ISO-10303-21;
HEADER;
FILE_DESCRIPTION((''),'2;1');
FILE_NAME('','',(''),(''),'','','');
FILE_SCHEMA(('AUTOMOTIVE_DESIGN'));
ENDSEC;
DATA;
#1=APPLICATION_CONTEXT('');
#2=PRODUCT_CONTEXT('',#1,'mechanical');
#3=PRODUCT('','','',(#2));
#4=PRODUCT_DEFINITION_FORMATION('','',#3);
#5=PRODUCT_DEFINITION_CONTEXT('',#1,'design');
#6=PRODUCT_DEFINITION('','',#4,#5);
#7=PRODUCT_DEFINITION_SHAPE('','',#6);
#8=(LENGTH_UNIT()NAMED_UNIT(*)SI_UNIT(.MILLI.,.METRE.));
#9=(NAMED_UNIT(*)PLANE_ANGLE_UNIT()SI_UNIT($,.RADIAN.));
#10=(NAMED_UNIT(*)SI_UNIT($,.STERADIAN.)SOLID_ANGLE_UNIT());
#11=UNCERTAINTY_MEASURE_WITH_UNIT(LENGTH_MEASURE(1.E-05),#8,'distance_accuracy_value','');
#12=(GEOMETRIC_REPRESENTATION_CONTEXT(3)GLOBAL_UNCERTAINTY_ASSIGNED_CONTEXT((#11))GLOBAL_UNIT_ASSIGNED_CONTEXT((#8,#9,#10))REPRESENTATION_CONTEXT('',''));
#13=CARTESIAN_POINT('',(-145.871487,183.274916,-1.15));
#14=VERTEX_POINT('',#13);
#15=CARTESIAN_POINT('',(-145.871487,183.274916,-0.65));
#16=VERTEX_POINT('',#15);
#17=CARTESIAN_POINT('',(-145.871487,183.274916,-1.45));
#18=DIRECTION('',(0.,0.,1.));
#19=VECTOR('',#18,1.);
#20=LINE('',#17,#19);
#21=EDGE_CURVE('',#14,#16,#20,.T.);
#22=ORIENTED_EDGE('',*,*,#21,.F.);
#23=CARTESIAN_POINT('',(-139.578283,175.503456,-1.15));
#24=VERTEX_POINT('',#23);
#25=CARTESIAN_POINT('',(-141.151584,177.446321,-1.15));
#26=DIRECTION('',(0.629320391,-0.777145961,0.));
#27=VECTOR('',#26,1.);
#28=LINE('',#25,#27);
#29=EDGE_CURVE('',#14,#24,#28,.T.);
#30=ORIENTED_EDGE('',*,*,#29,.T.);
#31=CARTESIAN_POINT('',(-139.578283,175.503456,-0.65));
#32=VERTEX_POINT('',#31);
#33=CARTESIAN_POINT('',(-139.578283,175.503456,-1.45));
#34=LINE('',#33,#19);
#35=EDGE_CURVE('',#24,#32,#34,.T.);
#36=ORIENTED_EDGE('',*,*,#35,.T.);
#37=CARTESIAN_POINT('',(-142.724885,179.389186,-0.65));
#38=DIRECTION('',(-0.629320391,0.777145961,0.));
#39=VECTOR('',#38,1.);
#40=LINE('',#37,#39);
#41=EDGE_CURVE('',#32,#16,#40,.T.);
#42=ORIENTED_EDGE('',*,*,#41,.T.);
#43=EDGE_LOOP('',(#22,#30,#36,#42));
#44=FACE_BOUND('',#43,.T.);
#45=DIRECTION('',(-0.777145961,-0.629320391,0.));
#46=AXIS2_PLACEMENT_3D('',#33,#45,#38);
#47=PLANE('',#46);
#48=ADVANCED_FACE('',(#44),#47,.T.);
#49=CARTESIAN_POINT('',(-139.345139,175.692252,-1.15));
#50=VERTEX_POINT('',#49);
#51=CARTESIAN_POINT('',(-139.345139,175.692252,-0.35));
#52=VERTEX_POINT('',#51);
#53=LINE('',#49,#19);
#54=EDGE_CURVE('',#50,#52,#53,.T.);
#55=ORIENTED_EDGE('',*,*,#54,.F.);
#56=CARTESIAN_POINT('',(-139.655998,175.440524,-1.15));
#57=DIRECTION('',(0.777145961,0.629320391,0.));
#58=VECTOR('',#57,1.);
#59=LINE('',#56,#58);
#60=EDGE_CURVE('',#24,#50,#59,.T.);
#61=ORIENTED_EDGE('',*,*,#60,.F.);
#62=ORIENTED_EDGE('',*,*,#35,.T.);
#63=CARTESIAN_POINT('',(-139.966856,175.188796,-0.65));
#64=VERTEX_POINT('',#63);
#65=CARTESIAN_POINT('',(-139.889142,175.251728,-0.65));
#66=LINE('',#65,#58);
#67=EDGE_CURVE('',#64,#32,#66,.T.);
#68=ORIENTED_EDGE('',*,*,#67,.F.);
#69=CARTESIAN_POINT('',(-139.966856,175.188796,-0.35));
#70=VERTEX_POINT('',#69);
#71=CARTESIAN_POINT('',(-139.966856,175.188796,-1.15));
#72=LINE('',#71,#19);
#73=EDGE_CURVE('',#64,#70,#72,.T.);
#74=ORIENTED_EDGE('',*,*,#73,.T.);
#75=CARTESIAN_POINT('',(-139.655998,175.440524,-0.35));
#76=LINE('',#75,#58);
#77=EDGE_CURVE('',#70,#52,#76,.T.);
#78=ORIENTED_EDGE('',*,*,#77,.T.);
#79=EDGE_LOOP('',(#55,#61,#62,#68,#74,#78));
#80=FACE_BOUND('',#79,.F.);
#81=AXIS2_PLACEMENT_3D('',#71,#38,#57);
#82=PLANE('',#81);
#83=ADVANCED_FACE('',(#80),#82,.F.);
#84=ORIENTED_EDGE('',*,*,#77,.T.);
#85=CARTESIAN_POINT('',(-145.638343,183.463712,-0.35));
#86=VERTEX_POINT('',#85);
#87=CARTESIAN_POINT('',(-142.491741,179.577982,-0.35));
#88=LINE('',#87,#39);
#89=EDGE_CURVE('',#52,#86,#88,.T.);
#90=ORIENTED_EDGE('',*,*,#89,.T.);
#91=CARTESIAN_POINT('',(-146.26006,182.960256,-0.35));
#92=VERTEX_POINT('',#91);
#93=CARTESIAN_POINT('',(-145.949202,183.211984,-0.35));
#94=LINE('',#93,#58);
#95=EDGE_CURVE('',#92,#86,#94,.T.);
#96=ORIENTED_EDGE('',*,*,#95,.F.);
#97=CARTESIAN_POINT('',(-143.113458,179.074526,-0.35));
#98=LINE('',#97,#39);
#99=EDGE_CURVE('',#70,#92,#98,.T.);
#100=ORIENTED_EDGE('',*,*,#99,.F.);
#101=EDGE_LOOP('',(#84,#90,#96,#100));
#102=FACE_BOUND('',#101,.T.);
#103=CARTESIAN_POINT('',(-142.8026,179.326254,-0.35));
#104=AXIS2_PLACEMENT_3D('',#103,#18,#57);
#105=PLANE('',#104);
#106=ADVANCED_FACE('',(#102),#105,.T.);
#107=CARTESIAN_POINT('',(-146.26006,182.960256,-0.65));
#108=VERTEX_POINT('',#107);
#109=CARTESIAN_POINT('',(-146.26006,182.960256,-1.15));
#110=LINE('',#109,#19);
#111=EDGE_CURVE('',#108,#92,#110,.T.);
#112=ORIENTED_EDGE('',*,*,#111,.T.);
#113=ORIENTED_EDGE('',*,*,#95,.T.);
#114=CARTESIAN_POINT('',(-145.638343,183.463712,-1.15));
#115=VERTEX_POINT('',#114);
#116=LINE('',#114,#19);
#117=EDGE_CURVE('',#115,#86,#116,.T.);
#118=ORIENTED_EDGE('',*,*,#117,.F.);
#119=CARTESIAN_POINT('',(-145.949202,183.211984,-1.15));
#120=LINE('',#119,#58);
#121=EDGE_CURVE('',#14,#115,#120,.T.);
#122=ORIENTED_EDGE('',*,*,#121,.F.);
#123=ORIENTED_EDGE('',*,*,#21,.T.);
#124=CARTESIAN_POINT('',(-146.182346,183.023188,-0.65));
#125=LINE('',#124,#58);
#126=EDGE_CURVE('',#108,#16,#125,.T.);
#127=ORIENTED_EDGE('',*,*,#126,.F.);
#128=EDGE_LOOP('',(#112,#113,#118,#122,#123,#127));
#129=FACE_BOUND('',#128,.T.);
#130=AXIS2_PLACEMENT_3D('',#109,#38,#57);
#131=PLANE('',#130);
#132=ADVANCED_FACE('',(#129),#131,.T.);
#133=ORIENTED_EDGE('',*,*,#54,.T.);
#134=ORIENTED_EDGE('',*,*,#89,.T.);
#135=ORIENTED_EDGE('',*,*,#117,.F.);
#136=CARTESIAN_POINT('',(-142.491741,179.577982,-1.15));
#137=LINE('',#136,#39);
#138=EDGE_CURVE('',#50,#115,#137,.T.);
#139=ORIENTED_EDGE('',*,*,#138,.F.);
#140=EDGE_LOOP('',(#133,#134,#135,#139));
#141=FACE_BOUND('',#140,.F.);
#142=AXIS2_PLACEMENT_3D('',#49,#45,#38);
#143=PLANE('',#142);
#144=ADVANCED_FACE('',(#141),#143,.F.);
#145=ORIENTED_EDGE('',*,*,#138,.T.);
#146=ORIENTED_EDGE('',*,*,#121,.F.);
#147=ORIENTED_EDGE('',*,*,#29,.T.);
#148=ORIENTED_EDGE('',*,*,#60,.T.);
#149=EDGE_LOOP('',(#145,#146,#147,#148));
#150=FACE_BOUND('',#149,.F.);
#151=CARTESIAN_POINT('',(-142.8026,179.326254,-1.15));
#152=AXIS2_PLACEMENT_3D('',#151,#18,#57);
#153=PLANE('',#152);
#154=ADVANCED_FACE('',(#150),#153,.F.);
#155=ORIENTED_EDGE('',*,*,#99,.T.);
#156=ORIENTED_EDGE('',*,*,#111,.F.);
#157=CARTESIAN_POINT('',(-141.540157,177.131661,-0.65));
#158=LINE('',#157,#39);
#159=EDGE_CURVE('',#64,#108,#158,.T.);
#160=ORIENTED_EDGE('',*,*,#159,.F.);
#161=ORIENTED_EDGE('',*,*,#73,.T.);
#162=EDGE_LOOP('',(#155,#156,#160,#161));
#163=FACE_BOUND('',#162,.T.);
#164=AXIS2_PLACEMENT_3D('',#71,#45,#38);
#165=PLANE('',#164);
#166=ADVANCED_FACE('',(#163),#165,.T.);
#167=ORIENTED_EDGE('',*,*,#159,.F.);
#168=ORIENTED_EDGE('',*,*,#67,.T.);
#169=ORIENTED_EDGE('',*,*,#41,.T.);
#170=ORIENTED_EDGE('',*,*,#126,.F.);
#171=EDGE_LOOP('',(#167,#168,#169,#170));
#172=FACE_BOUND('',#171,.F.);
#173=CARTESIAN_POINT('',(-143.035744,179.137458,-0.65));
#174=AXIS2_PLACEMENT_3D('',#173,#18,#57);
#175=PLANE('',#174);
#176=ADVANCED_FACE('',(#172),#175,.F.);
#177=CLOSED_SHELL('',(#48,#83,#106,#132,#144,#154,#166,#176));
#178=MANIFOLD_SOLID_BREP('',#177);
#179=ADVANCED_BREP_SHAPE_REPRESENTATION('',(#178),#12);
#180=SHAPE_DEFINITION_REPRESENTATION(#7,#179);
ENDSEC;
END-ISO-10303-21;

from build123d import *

# Parameters (mm, degrees)
BOX137_W               = 0.8
BOX137_H               = 10
BOX137_DEPTH           = 0.8
BOX138_W               = 0.8
BOX138_H               = 10
BOX138_DEPTH           = 0.8
CUT072_PLACEMENT_ANGLE = 39


with BuildPart() as cubo137:
    # Box137 → Box137 (new body)
    with BuildSketch(Plane.XY):
        with Locations((0.4, 5)):
            Rectangle(BOX137_W, BOX137_H)
    extrude(amount=BOX137_DEPTH)


with BuildPart() as perfil_l_2da_cara014:
    # Box138 → Box138 (new body)
    with BuildSketch(Plane(origin=(0.3, 0, 0.3), x_dir=(1, 0, 0), z_dir=(0, 0, 1))):
        with Locations((0.4, 5)):
            Rectangle(BOX138_W, BOX138_H)
    extrude(amount=BOX138_DEPTH)

    # Cut072: cut Cubo137
    add(cubo137.part, mode=Mode.SUBTRACT)


with BuildPart() as perfil_l_2da_cara014_1:
    # Cut072 placement: moved
    add(perfil_l_2da_cara014.part.moved(Location((-140.2, 175, -1.45))).rotate(Axis((-140.2, 175, -1.45), (0, 0, 1)), CUT072_PLACEMENT_ANGLE))


solid = perfil_l_2da_cara014_1.part
